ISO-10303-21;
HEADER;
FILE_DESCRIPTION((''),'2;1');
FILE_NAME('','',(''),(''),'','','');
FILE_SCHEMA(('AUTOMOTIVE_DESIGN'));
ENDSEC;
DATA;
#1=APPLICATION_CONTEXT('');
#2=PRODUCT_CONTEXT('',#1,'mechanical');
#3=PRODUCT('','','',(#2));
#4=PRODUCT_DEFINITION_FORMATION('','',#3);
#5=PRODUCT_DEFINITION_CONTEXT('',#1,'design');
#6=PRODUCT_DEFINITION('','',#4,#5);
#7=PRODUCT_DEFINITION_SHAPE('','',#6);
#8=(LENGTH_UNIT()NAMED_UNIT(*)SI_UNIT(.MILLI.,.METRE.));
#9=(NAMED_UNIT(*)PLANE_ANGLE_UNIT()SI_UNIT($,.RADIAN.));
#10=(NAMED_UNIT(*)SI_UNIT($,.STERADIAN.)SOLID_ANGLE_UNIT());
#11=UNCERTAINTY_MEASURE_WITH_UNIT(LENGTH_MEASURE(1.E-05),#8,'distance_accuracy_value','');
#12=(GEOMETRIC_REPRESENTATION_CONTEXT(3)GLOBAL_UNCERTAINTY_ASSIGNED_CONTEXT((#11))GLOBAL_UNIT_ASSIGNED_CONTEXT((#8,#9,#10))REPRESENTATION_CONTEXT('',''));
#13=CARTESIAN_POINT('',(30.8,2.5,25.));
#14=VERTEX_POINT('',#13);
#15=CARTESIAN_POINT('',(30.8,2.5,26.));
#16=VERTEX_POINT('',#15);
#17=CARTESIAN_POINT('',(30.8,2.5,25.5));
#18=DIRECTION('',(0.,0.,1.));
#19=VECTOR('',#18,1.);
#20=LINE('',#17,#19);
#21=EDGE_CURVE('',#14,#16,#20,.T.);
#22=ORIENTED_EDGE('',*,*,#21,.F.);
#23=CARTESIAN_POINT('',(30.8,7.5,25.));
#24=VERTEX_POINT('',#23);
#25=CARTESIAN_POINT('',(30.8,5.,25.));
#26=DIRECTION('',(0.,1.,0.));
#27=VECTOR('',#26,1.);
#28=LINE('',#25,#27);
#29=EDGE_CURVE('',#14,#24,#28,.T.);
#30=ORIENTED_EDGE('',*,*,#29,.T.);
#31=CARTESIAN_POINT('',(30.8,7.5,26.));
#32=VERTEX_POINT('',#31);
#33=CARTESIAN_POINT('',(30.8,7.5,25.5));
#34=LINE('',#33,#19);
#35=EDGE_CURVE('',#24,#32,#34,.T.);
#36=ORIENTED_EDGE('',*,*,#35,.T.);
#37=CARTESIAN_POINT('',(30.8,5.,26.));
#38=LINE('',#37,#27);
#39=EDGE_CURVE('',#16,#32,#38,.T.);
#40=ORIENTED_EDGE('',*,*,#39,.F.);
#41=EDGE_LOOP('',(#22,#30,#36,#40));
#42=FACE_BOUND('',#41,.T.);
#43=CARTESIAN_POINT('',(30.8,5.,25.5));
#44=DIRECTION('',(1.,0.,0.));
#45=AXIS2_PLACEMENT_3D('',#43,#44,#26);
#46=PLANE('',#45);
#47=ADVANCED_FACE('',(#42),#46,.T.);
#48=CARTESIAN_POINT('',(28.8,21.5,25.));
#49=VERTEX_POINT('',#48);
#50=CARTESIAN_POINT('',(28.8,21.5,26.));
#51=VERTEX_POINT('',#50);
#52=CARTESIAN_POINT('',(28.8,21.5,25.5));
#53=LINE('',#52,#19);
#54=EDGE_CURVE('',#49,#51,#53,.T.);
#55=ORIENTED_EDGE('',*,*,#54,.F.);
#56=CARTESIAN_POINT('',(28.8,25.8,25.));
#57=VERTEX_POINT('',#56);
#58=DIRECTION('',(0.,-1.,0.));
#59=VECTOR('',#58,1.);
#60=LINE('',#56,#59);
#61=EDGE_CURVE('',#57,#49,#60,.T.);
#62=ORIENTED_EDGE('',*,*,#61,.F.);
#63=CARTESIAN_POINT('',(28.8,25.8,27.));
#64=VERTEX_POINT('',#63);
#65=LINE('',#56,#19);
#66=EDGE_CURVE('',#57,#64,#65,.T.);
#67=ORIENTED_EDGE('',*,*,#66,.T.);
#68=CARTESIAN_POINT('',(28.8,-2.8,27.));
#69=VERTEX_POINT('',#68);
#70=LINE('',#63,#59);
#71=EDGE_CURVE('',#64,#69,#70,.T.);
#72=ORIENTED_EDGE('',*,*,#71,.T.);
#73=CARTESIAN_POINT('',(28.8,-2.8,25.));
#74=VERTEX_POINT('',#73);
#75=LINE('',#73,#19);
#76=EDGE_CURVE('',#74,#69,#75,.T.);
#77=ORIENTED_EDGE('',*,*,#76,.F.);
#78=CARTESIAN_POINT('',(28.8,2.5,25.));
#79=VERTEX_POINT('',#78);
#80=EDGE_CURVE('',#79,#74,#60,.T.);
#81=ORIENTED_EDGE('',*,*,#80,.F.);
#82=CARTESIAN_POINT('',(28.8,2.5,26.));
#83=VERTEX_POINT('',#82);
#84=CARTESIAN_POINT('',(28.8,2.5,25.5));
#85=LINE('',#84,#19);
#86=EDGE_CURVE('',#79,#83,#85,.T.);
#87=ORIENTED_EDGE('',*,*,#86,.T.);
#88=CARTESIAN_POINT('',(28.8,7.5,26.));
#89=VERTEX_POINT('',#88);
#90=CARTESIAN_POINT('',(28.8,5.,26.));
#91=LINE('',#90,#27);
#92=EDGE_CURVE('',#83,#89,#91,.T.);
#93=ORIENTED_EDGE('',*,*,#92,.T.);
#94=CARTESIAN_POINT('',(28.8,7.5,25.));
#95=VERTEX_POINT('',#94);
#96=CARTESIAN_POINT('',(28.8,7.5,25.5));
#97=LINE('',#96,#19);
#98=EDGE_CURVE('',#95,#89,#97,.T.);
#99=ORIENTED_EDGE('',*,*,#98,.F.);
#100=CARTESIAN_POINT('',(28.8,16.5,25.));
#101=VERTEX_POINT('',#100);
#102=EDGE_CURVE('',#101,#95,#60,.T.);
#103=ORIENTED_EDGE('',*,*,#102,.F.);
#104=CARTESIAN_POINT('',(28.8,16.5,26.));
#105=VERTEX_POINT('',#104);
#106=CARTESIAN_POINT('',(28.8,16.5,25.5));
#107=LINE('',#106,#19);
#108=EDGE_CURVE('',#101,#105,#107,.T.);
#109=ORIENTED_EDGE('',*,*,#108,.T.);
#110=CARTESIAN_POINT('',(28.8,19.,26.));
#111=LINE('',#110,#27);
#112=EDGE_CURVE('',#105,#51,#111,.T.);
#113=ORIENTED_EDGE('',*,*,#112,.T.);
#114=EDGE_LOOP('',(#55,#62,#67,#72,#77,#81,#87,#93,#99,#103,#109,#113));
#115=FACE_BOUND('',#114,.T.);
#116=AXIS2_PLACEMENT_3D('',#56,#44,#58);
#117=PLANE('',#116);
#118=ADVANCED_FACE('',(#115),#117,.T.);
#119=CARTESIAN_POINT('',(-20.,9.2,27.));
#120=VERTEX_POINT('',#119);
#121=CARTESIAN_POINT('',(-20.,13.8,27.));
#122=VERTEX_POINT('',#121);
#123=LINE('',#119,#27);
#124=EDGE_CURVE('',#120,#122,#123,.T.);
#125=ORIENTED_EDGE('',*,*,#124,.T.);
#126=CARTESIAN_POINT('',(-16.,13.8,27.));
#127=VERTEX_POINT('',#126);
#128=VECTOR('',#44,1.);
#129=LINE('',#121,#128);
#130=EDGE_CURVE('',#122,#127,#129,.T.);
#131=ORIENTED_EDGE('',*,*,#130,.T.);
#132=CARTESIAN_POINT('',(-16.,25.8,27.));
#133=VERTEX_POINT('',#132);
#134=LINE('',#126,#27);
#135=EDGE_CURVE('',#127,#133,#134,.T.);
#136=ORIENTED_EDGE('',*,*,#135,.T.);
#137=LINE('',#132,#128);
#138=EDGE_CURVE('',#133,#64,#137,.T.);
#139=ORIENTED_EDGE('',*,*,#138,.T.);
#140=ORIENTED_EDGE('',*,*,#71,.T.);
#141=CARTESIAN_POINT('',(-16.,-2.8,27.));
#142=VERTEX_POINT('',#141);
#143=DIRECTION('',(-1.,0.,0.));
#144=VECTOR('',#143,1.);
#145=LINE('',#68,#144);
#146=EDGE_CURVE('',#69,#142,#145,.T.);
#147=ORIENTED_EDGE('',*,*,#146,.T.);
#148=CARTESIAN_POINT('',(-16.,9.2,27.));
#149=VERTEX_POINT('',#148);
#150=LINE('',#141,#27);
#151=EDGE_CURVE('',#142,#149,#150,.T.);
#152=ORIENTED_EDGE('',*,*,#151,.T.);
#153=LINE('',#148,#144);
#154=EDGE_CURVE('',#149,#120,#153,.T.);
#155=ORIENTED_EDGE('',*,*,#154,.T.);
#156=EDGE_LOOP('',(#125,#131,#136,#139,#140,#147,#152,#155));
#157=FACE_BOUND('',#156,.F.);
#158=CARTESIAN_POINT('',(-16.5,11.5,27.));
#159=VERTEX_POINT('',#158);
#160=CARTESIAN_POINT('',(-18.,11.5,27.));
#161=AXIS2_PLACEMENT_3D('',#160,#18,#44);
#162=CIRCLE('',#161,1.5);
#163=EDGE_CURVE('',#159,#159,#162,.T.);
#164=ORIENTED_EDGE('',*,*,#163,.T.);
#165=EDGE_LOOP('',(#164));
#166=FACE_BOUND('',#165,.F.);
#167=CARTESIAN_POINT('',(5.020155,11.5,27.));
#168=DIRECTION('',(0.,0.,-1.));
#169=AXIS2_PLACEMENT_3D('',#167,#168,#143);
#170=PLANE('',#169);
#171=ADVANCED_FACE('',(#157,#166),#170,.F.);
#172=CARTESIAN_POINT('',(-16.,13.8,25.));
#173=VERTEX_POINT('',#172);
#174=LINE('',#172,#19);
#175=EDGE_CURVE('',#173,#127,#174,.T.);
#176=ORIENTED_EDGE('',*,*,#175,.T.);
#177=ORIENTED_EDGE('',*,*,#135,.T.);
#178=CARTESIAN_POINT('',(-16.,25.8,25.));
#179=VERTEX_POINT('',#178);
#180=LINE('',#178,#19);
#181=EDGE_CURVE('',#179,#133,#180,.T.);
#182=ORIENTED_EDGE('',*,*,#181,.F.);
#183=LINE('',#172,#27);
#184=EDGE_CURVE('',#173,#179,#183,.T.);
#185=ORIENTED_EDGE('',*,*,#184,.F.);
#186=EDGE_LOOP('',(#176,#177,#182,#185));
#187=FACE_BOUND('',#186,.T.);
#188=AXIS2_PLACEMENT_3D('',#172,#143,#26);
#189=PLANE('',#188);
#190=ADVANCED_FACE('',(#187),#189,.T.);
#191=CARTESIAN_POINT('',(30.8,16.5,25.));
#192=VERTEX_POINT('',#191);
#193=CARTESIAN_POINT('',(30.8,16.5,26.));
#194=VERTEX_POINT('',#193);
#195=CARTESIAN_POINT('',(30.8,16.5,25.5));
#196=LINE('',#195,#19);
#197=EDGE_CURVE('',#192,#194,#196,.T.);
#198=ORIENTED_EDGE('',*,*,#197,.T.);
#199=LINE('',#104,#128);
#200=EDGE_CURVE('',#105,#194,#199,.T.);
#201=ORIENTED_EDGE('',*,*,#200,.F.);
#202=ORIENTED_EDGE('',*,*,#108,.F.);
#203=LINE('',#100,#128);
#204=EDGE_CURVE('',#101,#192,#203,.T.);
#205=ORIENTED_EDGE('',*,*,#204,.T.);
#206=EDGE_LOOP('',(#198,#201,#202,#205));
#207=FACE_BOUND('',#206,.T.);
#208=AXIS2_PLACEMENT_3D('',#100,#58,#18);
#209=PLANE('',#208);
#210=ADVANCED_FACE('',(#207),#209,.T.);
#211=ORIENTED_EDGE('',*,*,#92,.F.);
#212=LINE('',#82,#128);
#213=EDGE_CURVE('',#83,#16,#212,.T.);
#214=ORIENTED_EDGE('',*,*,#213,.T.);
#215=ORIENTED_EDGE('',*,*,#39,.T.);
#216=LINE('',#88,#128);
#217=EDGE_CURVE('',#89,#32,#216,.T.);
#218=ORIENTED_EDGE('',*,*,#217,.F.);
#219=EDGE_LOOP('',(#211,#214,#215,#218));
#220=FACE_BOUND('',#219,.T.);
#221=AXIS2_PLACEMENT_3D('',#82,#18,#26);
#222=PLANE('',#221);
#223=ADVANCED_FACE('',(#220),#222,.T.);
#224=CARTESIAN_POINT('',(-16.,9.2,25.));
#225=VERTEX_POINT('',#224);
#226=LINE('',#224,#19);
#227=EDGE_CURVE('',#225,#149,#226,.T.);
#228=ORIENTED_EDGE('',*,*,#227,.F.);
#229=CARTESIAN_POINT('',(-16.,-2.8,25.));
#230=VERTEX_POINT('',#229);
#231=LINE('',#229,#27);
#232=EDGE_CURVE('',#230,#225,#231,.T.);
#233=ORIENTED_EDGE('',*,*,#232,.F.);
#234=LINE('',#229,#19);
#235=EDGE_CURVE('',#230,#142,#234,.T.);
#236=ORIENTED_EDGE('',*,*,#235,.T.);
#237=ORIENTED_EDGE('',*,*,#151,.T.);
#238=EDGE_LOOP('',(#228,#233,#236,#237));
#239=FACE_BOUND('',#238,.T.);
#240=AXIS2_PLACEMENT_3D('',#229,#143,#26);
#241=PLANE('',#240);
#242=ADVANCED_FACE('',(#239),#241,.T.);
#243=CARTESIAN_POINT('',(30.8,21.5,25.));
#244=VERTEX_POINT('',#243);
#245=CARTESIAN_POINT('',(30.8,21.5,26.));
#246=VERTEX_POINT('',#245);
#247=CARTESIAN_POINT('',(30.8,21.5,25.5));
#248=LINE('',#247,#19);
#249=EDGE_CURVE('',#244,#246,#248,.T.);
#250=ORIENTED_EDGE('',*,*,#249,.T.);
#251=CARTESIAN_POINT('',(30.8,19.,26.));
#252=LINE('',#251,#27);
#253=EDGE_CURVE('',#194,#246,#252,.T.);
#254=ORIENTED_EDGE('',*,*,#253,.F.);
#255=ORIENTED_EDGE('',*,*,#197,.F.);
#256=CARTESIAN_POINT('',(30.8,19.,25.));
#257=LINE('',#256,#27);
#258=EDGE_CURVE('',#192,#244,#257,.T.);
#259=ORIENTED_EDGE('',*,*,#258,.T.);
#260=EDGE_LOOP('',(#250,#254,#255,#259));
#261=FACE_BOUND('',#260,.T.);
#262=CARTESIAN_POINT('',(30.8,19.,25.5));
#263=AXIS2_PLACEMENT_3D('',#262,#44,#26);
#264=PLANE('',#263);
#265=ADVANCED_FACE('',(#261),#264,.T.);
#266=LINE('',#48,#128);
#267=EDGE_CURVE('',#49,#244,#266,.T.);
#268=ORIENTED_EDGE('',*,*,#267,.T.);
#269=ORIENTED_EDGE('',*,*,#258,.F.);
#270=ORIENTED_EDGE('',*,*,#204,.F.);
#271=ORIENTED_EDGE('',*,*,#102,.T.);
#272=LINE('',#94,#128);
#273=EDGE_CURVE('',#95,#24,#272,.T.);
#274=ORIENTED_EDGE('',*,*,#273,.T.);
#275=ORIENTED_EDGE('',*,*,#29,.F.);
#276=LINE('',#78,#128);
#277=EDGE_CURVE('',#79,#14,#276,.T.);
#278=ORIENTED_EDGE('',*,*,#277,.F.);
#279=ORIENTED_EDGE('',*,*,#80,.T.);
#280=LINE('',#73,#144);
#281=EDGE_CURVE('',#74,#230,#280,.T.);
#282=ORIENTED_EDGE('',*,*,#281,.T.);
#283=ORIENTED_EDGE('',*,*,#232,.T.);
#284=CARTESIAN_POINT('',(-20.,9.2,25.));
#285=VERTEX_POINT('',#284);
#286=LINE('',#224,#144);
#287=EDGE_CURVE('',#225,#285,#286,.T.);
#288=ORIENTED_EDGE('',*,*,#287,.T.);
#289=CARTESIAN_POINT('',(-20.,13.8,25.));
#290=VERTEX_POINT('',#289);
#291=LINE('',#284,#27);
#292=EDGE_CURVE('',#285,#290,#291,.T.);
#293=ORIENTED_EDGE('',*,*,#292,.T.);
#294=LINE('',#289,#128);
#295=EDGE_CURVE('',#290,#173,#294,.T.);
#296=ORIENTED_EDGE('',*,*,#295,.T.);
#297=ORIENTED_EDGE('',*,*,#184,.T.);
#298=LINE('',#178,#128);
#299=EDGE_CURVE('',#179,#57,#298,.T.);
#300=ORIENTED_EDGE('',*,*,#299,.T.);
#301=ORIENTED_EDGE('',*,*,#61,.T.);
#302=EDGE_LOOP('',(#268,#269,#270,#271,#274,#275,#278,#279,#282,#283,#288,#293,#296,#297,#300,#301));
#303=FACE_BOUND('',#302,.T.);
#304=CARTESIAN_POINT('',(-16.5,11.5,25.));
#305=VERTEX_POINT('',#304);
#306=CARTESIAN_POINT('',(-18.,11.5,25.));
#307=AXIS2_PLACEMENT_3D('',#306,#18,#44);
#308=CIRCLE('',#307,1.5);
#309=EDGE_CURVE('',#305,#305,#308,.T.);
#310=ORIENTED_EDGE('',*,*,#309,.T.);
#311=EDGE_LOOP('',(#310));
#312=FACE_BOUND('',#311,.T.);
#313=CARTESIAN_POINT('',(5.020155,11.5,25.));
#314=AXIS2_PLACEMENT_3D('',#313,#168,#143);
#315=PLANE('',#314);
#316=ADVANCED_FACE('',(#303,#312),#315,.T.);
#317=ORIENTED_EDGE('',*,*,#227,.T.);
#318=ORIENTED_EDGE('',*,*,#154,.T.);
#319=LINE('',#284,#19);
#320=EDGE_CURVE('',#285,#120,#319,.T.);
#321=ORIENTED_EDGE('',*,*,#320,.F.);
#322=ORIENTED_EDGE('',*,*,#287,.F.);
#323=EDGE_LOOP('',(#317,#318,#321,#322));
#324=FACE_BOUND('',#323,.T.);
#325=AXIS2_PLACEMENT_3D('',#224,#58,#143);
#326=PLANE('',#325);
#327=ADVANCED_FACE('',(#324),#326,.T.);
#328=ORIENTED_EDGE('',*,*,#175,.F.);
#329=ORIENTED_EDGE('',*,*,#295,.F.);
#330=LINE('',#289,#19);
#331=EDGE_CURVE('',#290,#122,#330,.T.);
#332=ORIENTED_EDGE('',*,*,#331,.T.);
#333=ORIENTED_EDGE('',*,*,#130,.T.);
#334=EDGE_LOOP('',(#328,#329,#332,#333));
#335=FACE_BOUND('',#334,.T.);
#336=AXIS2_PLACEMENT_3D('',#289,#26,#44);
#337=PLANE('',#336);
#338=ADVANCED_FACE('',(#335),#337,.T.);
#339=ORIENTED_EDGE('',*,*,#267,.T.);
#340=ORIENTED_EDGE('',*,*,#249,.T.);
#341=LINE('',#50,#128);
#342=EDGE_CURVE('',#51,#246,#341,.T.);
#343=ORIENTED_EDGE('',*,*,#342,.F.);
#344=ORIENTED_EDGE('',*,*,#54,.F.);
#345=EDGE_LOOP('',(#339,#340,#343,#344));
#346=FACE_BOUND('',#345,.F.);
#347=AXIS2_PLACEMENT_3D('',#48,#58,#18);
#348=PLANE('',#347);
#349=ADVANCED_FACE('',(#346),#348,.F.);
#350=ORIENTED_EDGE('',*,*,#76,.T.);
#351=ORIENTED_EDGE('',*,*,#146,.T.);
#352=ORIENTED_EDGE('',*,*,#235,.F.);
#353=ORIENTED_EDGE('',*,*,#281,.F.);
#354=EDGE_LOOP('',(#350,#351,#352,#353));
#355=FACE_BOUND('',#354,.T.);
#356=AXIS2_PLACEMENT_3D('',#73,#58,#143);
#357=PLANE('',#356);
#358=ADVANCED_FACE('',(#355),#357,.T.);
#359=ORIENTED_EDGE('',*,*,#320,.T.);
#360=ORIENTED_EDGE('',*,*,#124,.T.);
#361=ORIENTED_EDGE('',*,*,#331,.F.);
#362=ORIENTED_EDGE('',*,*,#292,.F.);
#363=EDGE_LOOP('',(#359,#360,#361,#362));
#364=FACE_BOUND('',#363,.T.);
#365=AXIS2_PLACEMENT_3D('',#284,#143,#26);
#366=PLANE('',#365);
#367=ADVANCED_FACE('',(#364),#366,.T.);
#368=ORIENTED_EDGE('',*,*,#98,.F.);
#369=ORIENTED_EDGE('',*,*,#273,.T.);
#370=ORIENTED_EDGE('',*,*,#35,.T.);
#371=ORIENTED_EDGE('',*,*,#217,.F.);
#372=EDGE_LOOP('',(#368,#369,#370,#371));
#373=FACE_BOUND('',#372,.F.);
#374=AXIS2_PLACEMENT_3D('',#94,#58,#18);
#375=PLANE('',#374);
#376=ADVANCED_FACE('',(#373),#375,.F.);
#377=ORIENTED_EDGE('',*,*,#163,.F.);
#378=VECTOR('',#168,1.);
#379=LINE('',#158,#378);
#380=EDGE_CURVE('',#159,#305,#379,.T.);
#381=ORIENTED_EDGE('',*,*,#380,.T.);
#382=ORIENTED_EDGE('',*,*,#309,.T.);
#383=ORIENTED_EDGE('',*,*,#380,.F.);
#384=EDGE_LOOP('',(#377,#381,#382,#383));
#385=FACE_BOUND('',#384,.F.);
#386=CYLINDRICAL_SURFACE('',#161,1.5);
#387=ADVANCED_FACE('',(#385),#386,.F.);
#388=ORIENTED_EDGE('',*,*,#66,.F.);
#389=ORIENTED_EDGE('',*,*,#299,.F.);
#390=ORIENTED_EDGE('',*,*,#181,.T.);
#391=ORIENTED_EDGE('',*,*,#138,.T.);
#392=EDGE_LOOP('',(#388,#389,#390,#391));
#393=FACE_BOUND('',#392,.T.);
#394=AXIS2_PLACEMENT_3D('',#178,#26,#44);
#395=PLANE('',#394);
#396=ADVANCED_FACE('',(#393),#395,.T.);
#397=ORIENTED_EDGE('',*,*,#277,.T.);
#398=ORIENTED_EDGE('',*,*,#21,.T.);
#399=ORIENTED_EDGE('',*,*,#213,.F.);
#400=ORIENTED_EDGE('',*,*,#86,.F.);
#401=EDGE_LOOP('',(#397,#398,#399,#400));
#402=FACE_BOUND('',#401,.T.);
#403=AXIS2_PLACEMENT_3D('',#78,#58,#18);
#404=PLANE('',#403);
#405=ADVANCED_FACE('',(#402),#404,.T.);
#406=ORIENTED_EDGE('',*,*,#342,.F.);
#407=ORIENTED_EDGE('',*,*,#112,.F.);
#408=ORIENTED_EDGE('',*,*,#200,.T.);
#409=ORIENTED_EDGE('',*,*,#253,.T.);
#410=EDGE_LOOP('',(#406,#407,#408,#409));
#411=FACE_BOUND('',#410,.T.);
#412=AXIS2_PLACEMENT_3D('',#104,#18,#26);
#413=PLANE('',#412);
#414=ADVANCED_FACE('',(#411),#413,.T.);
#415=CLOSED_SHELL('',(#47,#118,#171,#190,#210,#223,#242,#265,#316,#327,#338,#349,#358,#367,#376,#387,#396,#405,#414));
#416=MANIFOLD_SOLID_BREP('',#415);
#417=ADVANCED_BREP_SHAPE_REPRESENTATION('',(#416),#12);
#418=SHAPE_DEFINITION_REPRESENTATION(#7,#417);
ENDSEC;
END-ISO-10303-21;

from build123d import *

# Parameters (mm, degrees)
PAD003_DEPTH    = 2
SKETCH011_R     = 1.5
POCKET007_DEPTH = 5
SKETCH012_W     = 5
SKETCH012_H     = 1
PAD004_DEPTH    = 2


with BuildPart() as part:
    # Sketch010 → Pad003 (new body)
    with BuildSketch(Plane.XY.offset(25)):
        Polygon((-16, 25.8), (28.8, 25.8), (28.8, -2.8), (-16, -2.8), (-16, 9.2), (-20, 9.2), (-20, 13.8), (-16, 13.8), align=None)
    extrude(amount=PAD003_DEPTH)

    # Sketch011 (on Face10 of Pad003) → Pocket007 (cut)
    with BuildSketch(Plane.XY.offset(27)):
        with Locations((-18, 11.5)):
            Circle(SKETCH011_R)
    extrude(amount=-POCKET007_DEPTH, mode=Mode.SUBTRACT)

    # Sketch012 (on Face3 of Pocket007) → Pad004 (join)
    with BuildSketch(Plane.YZ.offset(28.8)):
        with Locations((5, 25.5)):
            Rectangle(SKETCH012_W, SKETCH012_H)
        with Locations((19, 25.5)):
            Rectangle(SKETCH012_W, SKETCH012_H)
    extrude(amount=PAD004_DEPTH)


solid = part.part
